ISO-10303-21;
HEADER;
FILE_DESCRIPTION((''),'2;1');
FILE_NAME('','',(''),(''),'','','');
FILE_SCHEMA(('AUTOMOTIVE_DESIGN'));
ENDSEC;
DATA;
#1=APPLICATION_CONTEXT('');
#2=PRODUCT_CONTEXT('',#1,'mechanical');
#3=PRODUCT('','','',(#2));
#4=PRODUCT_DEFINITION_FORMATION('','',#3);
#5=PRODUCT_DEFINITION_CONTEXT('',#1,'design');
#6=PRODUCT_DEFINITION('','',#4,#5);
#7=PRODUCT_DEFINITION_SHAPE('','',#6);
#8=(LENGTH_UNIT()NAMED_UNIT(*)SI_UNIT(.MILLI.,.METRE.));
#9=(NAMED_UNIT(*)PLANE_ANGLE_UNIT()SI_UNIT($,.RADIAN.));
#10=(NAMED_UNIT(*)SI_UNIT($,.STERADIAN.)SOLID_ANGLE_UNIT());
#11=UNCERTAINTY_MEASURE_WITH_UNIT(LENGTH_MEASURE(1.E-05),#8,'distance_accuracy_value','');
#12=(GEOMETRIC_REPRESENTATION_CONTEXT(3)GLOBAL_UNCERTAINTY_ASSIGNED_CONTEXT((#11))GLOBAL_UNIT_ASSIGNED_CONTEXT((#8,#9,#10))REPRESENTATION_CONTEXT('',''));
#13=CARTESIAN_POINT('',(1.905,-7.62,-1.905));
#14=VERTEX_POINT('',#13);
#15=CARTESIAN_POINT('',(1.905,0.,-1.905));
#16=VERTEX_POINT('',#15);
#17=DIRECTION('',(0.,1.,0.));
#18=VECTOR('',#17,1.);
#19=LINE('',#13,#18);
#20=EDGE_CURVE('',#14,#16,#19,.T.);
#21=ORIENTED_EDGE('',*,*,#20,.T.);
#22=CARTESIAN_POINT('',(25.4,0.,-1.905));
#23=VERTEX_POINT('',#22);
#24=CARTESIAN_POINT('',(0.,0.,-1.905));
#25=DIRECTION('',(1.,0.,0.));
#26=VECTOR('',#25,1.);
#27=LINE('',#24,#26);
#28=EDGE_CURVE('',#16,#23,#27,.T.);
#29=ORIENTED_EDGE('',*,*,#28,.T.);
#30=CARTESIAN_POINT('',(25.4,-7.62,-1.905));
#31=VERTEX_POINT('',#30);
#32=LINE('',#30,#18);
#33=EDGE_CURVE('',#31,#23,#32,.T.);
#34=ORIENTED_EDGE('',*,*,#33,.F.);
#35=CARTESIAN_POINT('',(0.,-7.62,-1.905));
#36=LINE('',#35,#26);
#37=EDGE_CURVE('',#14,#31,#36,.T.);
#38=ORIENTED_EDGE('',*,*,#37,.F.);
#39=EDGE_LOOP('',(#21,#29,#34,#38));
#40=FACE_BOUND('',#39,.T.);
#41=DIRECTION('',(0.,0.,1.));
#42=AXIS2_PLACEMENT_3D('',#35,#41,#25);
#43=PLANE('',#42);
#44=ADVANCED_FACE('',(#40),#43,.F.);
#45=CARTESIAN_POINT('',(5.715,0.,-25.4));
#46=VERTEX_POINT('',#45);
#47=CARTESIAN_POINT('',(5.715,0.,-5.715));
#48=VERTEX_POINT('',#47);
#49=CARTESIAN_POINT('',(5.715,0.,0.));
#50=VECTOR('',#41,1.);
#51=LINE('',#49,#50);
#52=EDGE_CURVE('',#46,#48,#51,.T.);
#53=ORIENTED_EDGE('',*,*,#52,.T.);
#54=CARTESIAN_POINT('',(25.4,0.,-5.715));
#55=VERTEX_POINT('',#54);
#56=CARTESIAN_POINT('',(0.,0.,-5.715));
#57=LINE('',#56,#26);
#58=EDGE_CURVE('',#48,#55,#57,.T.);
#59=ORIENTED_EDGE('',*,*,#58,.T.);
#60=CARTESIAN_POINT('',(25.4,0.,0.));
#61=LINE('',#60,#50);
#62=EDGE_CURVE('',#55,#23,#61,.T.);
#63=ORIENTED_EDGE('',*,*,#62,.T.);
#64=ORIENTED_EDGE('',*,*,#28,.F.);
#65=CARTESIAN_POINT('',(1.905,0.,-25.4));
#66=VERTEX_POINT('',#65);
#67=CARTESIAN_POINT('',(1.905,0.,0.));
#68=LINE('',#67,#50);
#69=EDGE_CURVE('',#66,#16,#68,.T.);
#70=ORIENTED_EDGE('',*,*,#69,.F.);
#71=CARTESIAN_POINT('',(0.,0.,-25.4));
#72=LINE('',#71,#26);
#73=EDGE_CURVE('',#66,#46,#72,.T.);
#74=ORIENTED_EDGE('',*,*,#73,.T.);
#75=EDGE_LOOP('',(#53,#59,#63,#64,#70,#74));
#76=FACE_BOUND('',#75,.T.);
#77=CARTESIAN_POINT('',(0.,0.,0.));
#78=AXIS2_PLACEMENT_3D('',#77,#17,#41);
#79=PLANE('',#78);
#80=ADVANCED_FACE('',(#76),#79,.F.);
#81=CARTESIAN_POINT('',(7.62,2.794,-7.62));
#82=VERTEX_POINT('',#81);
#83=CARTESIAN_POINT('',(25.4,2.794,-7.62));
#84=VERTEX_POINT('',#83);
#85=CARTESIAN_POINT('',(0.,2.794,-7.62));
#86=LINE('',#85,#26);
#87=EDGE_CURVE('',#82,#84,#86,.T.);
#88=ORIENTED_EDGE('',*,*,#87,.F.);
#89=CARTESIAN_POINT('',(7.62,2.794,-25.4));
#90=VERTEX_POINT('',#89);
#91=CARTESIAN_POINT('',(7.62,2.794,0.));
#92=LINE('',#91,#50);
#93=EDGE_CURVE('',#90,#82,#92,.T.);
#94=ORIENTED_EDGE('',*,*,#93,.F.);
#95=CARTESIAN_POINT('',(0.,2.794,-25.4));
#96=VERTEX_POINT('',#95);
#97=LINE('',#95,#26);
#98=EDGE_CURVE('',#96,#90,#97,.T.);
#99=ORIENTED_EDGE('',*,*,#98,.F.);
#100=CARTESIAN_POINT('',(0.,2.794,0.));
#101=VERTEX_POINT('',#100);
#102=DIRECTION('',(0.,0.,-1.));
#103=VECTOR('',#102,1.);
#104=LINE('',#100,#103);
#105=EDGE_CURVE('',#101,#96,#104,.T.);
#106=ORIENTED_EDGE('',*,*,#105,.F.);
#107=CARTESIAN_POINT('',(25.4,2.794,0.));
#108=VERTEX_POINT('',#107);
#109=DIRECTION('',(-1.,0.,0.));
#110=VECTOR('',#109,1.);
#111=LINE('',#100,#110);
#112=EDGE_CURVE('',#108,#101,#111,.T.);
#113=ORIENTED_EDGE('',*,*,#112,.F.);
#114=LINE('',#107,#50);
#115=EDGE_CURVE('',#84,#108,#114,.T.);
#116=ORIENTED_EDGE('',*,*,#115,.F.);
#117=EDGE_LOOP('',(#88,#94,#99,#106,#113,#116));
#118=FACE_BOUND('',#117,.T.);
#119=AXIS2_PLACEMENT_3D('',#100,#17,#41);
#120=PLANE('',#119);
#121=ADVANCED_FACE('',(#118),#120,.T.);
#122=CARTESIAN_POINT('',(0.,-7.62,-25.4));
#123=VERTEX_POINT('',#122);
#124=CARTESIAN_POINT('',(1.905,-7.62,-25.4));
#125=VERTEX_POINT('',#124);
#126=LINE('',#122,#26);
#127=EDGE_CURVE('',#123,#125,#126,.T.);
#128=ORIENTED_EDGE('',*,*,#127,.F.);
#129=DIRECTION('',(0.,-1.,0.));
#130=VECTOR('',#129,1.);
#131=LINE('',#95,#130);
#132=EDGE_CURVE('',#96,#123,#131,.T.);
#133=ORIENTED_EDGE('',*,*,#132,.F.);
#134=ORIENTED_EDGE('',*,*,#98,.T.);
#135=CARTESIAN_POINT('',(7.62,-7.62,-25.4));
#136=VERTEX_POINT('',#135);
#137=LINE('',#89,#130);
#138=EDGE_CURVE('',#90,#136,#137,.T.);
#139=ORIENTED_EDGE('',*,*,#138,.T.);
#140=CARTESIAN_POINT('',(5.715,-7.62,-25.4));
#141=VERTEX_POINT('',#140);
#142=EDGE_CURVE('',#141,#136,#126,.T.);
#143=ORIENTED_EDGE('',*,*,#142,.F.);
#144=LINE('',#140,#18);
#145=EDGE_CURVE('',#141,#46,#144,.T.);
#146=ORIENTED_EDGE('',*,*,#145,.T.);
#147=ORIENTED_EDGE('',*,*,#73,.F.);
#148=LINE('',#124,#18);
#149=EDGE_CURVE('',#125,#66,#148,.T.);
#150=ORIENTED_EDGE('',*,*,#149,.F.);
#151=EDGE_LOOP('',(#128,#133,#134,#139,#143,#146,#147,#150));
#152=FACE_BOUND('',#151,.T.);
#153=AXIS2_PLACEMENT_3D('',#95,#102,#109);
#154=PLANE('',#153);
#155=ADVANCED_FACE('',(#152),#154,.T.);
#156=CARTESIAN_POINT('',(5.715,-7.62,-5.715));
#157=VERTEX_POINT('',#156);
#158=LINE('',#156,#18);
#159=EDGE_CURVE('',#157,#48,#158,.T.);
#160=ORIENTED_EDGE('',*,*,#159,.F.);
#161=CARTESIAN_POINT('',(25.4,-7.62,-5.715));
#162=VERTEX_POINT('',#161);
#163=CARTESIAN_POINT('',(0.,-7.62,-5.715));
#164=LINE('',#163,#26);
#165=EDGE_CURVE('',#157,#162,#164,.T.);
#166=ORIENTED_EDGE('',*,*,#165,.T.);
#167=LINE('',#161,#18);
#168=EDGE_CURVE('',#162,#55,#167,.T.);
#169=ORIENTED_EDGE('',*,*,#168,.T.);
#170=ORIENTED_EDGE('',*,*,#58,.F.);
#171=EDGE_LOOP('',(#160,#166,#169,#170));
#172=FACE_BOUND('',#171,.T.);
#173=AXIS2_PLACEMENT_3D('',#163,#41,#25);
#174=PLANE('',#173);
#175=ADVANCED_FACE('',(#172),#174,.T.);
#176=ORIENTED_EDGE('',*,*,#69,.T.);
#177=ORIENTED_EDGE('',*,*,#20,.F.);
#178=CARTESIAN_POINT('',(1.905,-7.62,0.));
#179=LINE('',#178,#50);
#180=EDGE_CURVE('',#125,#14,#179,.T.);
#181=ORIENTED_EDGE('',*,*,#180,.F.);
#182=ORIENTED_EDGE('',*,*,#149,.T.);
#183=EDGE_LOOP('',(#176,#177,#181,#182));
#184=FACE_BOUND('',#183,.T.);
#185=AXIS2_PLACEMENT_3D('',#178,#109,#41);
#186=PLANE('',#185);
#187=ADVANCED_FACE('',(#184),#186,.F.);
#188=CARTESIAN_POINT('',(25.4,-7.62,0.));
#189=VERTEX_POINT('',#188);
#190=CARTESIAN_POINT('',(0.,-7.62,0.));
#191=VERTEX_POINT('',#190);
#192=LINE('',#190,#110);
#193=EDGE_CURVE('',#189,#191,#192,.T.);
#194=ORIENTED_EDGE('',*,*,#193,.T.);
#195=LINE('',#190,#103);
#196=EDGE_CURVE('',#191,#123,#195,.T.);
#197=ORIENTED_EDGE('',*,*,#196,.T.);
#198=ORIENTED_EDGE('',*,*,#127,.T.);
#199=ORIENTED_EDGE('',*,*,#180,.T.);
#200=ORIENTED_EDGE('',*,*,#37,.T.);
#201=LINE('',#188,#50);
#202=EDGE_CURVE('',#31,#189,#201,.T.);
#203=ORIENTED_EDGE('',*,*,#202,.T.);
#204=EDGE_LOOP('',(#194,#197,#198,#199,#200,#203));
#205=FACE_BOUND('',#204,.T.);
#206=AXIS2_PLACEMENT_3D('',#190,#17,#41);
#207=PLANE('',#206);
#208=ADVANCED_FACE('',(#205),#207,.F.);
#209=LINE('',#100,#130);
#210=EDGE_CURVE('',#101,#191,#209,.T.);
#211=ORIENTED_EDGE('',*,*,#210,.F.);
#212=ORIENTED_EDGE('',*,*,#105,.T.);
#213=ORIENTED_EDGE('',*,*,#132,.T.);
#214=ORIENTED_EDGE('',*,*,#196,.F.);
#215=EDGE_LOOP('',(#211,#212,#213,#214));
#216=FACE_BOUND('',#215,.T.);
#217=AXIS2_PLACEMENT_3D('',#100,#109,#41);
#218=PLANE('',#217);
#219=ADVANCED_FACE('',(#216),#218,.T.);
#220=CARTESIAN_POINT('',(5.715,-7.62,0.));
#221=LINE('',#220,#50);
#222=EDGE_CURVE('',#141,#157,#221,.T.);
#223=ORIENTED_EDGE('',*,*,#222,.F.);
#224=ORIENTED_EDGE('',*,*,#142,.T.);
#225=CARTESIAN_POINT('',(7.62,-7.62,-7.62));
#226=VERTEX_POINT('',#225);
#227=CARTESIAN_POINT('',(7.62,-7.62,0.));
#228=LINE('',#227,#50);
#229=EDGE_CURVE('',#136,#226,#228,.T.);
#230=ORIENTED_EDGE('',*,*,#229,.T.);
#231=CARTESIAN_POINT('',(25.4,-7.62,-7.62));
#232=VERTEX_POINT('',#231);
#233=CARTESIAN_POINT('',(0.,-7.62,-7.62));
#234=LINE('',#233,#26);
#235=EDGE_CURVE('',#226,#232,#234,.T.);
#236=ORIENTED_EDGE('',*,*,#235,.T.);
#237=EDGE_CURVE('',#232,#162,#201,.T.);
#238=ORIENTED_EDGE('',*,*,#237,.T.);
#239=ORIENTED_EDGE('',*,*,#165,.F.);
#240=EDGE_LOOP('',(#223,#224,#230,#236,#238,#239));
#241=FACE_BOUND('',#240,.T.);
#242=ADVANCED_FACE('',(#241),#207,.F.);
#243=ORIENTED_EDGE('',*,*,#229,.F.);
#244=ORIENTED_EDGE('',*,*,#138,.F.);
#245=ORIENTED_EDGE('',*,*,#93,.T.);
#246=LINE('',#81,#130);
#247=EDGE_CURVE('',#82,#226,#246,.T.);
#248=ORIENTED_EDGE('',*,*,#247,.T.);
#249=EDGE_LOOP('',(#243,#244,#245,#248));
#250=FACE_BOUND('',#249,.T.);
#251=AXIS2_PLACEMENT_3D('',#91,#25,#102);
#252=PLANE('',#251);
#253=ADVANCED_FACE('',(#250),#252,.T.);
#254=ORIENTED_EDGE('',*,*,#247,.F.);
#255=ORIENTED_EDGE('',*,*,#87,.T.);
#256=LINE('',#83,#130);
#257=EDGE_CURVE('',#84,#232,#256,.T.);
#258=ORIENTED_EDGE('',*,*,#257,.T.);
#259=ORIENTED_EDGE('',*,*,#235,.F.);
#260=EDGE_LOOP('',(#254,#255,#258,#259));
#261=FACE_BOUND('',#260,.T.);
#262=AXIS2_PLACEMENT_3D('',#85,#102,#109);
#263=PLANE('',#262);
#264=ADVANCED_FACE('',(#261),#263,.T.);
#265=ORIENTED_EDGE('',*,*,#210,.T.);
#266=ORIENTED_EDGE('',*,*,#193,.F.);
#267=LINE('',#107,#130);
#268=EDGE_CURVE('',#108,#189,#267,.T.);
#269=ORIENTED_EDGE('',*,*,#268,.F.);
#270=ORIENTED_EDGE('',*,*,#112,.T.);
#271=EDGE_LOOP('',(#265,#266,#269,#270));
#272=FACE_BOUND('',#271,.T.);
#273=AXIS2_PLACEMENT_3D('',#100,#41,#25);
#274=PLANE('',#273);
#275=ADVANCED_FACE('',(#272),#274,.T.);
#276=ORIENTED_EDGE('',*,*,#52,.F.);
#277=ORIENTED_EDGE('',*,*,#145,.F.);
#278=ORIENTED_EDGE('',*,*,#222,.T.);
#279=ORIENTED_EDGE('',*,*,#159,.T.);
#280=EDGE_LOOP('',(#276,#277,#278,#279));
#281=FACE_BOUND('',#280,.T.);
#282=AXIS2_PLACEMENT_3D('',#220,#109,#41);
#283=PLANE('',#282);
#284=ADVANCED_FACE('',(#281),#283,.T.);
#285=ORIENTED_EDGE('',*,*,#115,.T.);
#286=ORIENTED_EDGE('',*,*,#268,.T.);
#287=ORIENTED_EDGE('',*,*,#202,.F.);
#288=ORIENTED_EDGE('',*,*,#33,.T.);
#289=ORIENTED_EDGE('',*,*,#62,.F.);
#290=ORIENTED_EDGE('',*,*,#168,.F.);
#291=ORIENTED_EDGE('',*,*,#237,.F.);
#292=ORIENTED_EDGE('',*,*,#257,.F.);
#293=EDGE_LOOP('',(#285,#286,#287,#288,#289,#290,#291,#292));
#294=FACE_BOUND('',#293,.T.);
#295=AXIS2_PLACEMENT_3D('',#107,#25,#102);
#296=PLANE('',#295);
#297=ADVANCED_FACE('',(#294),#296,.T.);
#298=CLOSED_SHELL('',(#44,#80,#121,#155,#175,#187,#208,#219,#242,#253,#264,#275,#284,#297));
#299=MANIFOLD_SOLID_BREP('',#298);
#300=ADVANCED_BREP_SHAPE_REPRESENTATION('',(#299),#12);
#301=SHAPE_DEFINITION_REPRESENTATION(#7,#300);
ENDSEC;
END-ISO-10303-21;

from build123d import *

# Parameters (mm, degrees)
BOSS_EXTRUDE1_DEPTH = 2.794
BOSS_EXTRUDE2_DEPTH = 7.62


with BuildPart() as part:
    # Sketch1 → Boss-Extrude1 (new body)
    with BuildSketch(Plane(origin=(0, 0, 0), x_dir=(1, 0, 0), z_dir=(0, 1, 0))):
        Polygon((0, 25.4), (0, 0), (25.4, 0), (25.4, 7.62), (7.62, 7.62), (7.62, 25.4), align=None)
    extrude(amount=BOSS_EXTRUDE1_DEPTH)

    # Sketch1<6> → Boss-Extrude2 (add)
    with BuildSketch(Plane(origin=(0, 0, 0), x_dir=(1, 0, 0), z_dir=(0, 1, 0))):
        Polygon((0, 25.4), (0, 0), (25.4, 0), (25.4, 1.905), (1.905, 1.905), (1.905, 25.4), align=None)
        Polygon((7.62, 25.4), (5.715, 25.4), (5.715, 5.715), (25.4, 5.715), (25.4, 7.62), (7.62, 7.62), align=None)
    extrude(amount=-BOSS_EXTRUDE2_DEPTH)


solid = part.part
